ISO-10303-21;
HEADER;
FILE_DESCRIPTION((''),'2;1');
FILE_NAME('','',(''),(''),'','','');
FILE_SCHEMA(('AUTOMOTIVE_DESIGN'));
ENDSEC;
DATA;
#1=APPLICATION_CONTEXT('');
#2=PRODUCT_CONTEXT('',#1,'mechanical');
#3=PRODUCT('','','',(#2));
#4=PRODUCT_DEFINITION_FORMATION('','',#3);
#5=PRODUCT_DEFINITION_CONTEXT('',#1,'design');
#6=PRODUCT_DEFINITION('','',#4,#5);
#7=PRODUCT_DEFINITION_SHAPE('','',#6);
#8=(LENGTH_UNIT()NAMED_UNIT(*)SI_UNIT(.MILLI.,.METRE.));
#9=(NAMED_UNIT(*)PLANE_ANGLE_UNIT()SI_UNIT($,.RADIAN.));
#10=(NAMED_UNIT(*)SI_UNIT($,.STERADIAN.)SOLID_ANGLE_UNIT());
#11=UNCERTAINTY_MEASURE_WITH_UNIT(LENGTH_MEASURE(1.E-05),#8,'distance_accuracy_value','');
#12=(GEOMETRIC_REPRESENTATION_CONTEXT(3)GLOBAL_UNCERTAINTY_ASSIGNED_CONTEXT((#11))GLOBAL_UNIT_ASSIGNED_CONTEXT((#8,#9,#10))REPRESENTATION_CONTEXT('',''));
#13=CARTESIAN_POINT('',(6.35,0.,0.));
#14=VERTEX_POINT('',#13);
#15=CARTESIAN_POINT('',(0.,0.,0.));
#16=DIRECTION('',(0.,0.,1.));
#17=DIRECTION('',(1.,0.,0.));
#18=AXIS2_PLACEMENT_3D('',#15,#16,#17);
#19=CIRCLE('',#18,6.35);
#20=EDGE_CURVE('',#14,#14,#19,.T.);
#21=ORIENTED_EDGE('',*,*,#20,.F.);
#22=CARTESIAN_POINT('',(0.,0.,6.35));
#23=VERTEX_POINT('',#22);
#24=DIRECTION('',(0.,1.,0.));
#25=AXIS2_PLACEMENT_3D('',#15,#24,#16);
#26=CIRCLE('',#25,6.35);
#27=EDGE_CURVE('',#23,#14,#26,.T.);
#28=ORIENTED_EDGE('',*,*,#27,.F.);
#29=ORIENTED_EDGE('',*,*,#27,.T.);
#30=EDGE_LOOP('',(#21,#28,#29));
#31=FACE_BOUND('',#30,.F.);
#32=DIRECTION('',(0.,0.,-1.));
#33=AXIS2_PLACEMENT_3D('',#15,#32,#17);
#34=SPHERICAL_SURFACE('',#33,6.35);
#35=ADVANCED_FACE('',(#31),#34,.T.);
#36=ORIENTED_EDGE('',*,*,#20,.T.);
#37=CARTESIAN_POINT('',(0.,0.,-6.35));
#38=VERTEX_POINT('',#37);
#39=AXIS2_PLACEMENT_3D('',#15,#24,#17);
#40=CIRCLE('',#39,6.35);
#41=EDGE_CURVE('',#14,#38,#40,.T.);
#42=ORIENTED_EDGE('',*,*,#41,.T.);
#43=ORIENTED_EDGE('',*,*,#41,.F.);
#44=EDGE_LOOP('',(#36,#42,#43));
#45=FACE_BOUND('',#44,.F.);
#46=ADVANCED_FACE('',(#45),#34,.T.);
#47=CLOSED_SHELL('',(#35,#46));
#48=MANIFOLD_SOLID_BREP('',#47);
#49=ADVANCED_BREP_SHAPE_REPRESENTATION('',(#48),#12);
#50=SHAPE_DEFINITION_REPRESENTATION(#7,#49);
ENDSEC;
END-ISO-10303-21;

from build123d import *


with BuildPart() as part:
    # Sketch1 one side → Revolve4 (revolve)
    with BuildSketch(Plane(origin=(0, 0, 0), x_dir=(1, 0, 0), z_dir=(0, 1, 0))):
        with BuildLine():
            ThreePointArc((0, -6.35), (4.490128061, -4.490128061), (6.35, 0))
            ThreePointArc((6.35, 0), (4.490128061, 4.490128061), (0, 6.35))
            Line((0, 6.35), (0, -6.35))
        make_face()
    revolve(axis=Axis((0, 0, -11.17992278), (0, 0, 1)))


solid = part.part
